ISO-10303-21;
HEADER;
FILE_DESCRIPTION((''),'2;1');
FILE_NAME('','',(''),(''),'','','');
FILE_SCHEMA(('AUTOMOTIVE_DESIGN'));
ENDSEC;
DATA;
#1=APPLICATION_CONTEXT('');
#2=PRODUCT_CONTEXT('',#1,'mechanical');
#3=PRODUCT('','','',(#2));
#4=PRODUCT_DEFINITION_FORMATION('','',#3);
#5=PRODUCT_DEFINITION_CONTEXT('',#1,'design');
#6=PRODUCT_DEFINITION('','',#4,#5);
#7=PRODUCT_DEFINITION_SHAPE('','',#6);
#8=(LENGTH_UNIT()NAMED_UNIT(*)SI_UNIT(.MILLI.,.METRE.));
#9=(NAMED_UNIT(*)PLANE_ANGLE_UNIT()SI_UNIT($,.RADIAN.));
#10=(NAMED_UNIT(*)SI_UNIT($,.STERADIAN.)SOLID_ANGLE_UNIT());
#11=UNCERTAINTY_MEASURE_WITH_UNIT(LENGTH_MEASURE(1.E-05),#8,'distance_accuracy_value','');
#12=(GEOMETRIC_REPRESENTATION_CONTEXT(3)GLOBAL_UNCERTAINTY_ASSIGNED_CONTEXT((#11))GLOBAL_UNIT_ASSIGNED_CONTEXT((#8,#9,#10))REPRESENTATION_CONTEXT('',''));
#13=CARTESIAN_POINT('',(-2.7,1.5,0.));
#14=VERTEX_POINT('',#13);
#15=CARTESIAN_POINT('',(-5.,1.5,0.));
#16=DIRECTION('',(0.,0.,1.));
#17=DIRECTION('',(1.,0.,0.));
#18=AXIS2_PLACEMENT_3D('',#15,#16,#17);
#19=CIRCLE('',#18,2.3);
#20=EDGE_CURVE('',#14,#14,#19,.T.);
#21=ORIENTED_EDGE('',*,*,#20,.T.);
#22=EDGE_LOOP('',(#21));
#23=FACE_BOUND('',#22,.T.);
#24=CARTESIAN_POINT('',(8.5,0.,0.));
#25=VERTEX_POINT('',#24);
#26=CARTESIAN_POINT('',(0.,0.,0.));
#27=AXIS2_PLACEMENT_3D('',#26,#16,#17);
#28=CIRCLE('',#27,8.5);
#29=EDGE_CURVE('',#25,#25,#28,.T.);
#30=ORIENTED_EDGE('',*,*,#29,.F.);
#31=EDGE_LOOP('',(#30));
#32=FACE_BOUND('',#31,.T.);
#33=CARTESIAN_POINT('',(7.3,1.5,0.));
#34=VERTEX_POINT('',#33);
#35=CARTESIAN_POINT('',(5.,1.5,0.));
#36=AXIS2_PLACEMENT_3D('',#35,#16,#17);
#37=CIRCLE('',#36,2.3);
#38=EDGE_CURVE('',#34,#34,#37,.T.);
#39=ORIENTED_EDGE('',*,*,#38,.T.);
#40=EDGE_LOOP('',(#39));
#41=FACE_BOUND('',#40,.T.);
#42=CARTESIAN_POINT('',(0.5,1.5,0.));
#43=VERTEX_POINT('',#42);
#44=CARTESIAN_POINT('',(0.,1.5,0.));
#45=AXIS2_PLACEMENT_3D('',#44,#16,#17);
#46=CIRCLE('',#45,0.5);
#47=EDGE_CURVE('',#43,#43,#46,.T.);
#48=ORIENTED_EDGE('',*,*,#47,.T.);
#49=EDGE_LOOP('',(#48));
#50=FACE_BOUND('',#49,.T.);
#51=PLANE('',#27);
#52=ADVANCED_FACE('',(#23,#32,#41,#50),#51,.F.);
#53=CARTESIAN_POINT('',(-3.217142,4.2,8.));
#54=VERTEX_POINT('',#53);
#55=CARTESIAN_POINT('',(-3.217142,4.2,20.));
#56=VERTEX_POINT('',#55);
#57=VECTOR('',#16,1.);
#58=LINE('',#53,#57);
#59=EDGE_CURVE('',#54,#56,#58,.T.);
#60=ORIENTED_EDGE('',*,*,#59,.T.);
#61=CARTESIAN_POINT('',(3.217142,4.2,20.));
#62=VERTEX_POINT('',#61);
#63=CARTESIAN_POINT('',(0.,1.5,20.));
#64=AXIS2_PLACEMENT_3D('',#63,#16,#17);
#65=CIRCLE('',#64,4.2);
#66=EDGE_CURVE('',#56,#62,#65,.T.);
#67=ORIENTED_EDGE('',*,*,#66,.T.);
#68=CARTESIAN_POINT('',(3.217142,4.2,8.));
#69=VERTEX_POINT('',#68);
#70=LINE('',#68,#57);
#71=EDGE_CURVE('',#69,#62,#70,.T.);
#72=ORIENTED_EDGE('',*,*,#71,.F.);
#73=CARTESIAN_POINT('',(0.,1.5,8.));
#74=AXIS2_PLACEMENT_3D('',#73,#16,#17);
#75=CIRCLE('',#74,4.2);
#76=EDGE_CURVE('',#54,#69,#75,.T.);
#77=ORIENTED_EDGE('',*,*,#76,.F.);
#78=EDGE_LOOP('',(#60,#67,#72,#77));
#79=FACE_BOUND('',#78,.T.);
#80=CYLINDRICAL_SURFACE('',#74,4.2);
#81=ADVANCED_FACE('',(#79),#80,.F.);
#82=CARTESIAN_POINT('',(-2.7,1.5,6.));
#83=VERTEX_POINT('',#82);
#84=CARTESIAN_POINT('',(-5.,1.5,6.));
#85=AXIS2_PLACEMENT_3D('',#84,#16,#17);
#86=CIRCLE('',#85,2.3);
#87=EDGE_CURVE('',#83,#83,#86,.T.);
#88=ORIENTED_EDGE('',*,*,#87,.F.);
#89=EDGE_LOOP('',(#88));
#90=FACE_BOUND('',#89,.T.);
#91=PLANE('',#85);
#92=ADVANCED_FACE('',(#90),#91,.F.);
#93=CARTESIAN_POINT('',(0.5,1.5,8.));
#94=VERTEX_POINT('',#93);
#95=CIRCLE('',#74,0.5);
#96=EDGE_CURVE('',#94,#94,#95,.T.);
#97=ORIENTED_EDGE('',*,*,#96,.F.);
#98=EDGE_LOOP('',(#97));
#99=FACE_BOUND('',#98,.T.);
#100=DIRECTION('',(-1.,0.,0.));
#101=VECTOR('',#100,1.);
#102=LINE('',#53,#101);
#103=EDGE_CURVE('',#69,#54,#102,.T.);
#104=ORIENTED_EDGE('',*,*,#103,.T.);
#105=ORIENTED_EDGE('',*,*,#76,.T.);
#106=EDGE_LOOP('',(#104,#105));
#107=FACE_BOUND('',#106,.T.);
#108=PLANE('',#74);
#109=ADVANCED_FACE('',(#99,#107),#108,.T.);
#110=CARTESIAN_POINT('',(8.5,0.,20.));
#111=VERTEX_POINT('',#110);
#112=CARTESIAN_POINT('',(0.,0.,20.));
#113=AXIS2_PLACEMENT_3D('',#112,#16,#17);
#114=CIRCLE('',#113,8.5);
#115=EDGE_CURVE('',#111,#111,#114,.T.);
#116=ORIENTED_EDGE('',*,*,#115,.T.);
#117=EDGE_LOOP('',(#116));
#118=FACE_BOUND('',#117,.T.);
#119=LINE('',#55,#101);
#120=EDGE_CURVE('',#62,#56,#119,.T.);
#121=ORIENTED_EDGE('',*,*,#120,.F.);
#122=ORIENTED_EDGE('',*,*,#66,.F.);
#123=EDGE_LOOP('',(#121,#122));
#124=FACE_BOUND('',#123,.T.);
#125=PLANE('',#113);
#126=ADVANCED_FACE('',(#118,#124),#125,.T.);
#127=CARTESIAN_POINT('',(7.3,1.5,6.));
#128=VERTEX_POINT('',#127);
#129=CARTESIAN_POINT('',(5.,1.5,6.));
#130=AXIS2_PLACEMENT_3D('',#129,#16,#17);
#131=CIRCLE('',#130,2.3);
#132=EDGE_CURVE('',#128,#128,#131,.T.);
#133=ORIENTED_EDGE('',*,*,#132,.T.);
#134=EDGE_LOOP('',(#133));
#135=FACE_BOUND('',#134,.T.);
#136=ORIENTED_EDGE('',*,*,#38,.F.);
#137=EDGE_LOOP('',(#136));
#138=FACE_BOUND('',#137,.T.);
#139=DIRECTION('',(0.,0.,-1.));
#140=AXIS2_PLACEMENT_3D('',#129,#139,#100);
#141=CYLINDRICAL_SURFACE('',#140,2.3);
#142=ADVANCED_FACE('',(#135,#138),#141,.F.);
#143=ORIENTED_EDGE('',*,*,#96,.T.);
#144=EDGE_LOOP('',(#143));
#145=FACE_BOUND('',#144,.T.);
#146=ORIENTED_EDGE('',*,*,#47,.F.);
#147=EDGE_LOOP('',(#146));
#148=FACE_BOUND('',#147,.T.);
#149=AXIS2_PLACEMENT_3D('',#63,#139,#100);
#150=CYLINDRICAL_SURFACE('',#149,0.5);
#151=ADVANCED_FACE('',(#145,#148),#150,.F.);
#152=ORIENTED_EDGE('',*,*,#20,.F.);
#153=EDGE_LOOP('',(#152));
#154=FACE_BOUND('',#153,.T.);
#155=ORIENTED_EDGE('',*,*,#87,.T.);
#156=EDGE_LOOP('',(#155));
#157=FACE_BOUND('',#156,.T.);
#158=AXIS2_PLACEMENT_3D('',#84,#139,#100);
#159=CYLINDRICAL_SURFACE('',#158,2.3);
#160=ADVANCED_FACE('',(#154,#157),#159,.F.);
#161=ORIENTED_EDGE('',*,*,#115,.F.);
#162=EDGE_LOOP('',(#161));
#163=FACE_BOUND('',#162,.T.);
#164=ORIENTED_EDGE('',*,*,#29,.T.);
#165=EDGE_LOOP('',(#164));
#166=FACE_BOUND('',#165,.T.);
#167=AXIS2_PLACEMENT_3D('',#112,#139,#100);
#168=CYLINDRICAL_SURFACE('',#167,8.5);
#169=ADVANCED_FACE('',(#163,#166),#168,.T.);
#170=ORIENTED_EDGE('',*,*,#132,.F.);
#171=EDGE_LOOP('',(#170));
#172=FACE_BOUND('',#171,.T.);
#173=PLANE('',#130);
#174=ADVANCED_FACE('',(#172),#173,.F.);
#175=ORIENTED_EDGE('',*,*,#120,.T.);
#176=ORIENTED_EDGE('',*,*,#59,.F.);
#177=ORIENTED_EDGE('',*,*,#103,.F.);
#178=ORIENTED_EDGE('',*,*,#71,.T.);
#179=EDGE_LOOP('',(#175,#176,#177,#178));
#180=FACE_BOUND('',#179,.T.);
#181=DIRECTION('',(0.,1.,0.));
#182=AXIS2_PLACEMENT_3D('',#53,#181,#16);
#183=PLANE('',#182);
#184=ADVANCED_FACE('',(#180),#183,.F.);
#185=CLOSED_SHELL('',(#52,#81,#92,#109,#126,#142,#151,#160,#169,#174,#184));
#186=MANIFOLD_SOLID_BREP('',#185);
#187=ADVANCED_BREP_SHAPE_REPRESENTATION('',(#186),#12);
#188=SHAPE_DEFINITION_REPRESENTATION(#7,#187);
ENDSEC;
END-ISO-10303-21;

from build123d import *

# Parameters (mm, degrees)
SKETCH2_R           = 8.5
SKETCH2_R_2         = 0.5
BOSS_EXTRUDE1_DEPTH = 20
SKETCH3_R           = 0.5
SKETCH3_R_2         = 2.3
CUT_EXTRUDE1_DEPTH  = 6
CUT_EXTRUDE2_DEPTH  = 12


with BuildPart() as part:
    # Sketch2 → Boss-Extrude1 (new body)
    with BuildSketch(Plane.XY):
        Circle(SKETCH2_R)
        with Locations((0, 1.5)):
            Circle(SKETCH2_R_2, mode=Mode.SUBTRACT)
    extrude(amount=BOSS_EXTRUDE1_DEPTH)

    # Sketch3 → Cut-Extrude1 (cut)
    with BuildSketch(Plane.XY):
        with Locations((0, 1.5)):
            Circle(SKETCH3_R)
        with Locations((-5, 1.5)):
            Circle(SKETCH3_R_2)
        with Locations((5, 1.5)):
            Circle(SKETCH3_R_2)
    extrude(amount=CUT_EXTRUDE1_DEPTH, mode=Mode.SUBTRACT)

    # Sketch5 → Cut-Extrude2 (cut)
    with BuildSketch(Plane.XY.offset(20)):
        with BuildLine():
            Line((-3.217141588, 4.2), (3.217141588, 4.2))
            ThreePointArc((3.217141588, 4.2), (0, -2.7), (-3.217141588, 4.2))
        make_face()
    extrude(amount=-CUT_EXTRUDE2_DEPTH, mode=Mode.SUBTRACT)


solid = part.part
